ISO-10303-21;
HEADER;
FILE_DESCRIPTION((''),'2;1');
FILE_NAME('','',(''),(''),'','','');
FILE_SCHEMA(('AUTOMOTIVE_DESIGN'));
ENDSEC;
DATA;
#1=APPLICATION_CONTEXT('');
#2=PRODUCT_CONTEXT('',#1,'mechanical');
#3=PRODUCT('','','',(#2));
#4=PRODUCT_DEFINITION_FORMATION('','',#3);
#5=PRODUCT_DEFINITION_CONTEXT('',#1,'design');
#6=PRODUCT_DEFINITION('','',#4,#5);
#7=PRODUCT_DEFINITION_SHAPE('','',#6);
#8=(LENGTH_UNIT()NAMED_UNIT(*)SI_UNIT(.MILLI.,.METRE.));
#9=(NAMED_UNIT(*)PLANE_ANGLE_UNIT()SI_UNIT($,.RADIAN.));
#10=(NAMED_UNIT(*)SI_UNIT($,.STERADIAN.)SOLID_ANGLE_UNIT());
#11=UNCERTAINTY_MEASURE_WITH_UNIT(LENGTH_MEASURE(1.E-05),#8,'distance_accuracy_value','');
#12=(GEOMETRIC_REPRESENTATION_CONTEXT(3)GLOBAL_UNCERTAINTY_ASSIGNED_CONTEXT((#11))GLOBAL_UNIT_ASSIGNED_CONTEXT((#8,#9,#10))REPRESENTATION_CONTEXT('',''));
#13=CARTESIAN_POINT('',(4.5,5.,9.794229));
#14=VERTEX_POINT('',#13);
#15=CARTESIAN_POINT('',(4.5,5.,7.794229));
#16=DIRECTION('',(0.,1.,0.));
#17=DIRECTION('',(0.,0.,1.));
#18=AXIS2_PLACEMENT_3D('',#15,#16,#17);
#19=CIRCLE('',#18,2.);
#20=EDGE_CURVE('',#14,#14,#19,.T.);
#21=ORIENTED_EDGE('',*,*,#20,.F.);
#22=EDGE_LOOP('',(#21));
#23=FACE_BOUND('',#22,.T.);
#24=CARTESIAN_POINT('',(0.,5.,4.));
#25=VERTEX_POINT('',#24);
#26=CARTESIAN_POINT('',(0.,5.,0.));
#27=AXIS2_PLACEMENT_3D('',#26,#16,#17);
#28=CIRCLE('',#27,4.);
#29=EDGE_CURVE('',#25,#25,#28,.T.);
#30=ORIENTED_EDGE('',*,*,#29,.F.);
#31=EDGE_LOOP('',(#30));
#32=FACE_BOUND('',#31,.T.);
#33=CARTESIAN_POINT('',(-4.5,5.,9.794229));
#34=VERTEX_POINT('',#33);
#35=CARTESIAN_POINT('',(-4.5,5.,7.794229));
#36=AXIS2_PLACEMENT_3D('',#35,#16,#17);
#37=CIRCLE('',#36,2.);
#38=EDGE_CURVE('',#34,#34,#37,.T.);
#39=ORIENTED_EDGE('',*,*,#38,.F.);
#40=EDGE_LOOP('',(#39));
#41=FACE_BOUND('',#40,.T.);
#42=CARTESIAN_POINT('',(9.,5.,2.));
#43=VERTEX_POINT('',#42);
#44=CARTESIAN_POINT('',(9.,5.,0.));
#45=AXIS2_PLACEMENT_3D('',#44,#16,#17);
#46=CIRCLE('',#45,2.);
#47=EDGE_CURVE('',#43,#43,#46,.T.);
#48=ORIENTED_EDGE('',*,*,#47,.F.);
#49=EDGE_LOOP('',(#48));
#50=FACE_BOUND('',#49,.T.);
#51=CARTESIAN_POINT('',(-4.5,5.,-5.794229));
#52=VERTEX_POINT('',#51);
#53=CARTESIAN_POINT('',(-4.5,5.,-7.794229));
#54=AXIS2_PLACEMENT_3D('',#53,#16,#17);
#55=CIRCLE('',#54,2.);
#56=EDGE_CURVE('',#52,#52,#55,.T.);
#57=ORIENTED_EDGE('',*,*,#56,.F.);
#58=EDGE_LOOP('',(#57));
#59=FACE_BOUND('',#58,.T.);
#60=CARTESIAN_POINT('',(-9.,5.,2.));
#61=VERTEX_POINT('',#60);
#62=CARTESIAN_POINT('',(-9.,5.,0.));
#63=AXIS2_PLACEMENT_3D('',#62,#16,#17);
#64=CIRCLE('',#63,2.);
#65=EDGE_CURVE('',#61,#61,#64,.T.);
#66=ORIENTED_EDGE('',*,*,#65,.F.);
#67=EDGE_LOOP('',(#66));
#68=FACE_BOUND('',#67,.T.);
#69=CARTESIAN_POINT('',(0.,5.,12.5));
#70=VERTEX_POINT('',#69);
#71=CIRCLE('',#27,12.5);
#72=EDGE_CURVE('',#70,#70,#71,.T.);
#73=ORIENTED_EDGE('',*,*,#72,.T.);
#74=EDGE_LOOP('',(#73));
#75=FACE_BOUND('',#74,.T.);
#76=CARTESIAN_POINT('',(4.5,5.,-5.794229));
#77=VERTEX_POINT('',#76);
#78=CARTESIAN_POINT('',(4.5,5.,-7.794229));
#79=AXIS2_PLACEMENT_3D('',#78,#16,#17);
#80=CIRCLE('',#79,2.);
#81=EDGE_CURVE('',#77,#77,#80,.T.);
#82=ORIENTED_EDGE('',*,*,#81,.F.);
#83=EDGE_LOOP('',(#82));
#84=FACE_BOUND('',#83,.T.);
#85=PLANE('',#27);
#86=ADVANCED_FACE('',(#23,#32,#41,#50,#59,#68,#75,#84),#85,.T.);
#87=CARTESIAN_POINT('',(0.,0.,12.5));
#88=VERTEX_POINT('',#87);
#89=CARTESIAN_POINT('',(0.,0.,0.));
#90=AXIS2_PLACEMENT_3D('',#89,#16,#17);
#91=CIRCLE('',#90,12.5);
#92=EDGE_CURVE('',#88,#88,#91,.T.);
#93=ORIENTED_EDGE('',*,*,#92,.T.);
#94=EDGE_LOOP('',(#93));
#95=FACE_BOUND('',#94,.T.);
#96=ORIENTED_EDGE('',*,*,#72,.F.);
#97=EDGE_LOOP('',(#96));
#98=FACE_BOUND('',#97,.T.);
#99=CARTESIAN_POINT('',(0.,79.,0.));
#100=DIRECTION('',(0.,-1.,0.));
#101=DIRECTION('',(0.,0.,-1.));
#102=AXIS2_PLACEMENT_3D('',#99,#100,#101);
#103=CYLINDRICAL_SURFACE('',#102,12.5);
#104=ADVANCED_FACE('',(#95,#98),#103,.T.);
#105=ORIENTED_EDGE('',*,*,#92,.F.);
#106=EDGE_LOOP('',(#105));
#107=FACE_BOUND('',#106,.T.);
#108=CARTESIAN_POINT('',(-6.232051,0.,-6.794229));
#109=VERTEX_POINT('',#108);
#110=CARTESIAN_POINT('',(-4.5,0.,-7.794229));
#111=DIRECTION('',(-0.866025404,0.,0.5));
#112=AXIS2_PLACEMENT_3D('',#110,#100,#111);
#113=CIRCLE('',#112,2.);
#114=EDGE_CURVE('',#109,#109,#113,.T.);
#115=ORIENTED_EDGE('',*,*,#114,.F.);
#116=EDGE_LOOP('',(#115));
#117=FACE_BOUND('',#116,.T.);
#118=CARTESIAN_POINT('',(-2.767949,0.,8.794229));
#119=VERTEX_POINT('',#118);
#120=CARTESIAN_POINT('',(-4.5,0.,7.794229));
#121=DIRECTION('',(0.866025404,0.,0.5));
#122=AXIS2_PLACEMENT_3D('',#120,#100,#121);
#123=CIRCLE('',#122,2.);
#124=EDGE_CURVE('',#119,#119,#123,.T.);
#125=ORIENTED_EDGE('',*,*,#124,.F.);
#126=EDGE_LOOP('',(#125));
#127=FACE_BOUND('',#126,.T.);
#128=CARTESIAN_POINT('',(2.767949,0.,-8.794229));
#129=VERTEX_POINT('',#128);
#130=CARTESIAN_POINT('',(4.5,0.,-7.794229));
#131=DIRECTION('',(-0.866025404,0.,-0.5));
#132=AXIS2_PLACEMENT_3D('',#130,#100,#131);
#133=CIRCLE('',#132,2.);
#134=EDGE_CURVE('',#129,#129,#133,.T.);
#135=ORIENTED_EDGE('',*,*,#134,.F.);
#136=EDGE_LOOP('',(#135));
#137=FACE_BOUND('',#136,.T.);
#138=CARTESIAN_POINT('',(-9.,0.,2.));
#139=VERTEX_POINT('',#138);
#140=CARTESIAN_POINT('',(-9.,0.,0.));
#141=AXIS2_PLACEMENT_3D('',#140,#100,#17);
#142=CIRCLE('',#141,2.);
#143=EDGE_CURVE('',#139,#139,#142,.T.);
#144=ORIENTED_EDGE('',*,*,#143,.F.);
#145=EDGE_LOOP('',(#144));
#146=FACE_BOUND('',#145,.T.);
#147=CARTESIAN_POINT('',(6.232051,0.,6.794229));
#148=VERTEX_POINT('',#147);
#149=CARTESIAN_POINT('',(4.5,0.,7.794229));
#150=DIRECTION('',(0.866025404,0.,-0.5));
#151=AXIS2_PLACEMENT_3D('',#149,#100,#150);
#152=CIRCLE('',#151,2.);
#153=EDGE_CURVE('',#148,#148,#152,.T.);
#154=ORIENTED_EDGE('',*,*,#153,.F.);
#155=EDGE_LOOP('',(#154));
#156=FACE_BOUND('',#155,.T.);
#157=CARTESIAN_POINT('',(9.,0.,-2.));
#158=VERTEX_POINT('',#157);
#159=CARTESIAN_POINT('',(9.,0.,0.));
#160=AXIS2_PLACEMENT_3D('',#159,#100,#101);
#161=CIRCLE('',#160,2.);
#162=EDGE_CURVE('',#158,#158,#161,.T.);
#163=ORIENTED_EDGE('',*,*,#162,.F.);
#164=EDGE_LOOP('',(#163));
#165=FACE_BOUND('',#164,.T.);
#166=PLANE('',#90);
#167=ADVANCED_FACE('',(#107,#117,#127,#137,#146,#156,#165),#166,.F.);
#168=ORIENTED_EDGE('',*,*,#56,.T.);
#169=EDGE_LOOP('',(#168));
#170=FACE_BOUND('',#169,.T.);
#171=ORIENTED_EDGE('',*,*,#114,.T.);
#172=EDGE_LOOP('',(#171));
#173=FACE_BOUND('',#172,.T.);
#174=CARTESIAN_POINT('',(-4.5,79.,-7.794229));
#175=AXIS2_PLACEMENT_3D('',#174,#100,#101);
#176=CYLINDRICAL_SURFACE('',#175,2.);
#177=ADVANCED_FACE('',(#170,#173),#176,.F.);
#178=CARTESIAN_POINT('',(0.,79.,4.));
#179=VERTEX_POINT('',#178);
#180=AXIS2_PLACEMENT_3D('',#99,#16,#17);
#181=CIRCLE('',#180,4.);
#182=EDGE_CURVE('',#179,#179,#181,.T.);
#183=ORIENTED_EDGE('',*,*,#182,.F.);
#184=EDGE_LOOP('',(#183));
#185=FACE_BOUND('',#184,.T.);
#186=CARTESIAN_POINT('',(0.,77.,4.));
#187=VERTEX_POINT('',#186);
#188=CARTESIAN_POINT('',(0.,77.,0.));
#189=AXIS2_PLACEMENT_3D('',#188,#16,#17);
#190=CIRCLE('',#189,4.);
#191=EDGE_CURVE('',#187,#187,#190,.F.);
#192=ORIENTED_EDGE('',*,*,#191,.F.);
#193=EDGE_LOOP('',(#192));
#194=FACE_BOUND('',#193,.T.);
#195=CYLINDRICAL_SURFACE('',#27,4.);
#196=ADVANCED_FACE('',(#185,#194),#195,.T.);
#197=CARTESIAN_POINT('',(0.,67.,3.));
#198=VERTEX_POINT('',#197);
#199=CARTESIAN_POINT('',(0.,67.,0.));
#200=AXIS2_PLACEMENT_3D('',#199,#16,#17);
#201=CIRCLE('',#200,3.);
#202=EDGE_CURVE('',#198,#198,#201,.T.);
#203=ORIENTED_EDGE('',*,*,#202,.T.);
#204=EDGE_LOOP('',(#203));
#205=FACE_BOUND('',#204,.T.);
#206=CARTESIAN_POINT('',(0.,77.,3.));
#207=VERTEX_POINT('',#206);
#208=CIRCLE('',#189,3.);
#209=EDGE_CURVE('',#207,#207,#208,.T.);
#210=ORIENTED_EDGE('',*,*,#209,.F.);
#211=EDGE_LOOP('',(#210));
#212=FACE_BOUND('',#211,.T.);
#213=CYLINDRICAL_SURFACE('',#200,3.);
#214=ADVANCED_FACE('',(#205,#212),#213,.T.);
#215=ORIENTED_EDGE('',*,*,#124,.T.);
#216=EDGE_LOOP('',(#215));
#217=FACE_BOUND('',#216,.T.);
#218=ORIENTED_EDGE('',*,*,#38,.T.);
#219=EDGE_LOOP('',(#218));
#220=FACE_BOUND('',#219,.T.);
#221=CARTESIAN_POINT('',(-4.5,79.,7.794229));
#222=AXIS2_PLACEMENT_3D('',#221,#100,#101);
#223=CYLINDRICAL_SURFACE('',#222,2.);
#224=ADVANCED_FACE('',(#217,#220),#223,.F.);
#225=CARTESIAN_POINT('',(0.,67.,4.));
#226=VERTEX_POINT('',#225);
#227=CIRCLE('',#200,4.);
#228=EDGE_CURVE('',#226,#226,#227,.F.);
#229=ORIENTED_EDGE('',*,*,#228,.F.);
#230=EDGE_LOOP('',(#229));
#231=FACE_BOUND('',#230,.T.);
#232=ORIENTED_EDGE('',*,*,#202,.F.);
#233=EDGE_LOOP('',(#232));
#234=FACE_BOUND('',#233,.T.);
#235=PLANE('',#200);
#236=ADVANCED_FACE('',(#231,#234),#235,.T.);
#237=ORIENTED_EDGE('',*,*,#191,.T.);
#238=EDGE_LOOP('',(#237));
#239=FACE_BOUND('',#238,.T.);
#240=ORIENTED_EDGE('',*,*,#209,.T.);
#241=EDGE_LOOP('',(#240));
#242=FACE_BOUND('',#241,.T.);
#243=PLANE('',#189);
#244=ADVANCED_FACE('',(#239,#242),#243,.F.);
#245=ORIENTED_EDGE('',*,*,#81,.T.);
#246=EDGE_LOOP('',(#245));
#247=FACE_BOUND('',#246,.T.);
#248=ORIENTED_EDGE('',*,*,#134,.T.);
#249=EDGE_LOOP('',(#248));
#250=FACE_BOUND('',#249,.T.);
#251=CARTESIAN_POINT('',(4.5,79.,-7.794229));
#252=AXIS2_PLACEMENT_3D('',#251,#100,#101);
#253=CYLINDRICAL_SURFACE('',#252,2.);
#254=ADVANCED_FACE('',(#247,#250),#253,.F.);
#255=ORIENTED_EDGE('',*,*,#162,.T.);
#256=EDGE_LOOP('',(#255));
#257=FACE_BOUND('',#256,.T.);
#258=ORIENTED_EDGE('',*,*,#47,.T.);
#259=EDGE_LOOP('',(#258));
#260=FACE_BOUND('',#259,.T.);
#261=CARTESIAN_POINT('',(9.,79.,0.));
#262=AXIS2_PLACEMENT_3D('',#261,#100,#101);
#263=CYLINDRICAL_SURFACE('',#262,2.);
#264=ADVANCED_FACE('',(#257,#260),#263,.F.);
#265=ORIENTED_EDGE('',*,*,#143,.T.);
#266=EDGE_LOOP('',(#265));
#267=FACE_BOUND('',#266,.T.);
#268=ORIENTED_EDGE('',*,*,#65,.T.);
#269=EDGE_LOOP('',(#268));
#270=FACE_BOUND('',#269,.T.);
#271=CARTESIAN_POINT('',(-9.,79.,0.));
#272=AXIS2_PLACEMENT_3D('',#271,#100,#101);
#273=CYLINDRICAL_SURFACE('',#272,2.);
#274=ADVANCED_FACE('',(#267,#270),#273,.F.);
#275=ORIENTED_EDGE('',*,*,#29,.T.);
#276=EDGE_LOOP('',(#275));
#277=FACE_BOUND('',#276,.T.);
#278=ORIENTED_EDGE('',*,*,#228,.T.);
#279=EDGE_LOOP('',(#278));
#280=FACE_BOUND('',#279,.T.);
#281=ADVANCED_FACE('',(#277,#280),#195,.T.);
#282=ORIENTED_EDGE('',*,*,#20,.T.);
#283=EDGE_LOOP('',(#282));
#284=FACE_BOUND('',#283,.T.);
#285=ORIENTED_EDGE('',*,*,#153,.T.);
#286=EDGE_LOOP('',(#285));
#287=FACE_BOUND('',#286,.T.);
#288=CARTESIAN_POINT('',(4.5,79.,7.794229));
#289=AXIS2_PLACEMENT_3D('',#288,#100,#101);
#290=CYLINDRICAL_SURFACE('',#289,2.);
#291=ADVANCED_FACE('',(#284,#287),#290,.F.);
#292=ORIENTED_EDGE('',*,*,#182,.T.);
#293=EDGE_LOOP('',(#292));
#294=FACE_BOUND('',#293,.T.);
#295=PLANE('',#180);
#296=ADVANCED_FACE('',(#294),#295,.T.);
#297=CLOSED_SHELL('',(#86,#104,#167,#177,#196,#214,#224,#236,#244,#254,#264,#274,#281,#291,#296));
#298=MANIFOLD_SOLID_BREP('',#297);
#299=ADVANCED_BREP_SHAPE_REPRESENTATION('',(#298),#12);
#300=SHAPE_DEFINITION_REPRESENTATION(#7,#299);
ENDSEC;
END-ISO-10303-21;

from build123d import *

# Parameters (mm, degrees)
SKETCH_1_R               = 12.5
EXTRUDE_1_DEPTH          = 79
SKETCH_2_OUTSIDE_W       = 44.31
SKETCH_2_OUTSIDE_H       = 44.31
SKETCH_2_OUTSIDE_R       = 4
CUT_EXTRUDE_2_DEPTH      = 72
SKETCH_4_OUTSIDE_W       = 44.31
SKETCH_4_OUTSIDE_H       = 44.31
SKETCH_4_OUTSIDE_R       = 4
CUT_EXTRUDE_3_DEPTH      = 80.003164494
SKETCH_6_OUTSIDE_W       = 44.31
SKETCH_6_OUTSIDE_H       = 44.31
SKETCH_6_OUTSIDE_R       = 3
CUT_EXTRUDE_4_DEPTH      = 10
SKETCH_7_R               = 2
CUT_EXTRUDE_5_DEPTH      = 81.953690466
PATTERN_CIRCULAR_1_COUNT = 6


with BuildPart() as part:
    # 草图1 → 凸台-拉伸1 (new body)
    with BuildSketch(Plane(origin=(0, 0, 0), x_dir=(1, 0, 0), z_dir=(0, 1, 0))):
        with Locations(Location((0, 0, 0), (0, 0, 270))):
            Circle(SKETCH_1_R)
    extrude(amount=EXTRUDE_1_DEPTH)

    # 草图2 outside → 切除-拉伸2 (cut)
    with BuildSketch(Plane(origin=(0, 77, 0), x_dir=(1, 0, 0), z_dir=(0, 1, 0))):
        Rectangle(SKETCH_2_OUTSIDE_W, SKETCH_2_OUTSIDE_H)
        with Locations(Location((0, 0, 0), (0, 0, 270))):
            Circle(SKETCH_2_OUTSIDE_R, mode=Mode.SUBTRACT)
    extrude(amount=-CUT_EXTRUDE_2_DEPTH, mode=Mode.SUBTRACT)

    # 草图4 outside → 切除-拉伸3 (cut, through all)
    with BuildSketch(Plane(origin=(0, 77, 0), x_dir=(1, 0, 0), z_dir=(0, 1, 0))):
        Rectangle(SKETCH_4_OUTSIDE_W, SKETCH_4_OUTSIDE_H)
        with Locations(Location((0, 0, 0), (0, 0, 270))):
            Circle(SKETCH_4_OUTSIDE_R, mode=Mode.SUBTRACT)
    extrude(amount=CUT_EXTRUDE_3_DEPTH, mode=Mode.SUBTRACT)

    # 草图6 outside → 切除-拉伸4 (cut)
    with BuildSketch(Plane(origin=(0, 77, 0), x_dir=(1, 0, 0), z_dir=(0, 1, 0))):
        Rectangle(SKETCH_6_OUTSIDE_W, SKETCH_6_OUTSIDE_H)
        with Locations(Location((0, 0, 0), (0, 0, 270))):
            Circle(SKETCH_6_OUTSIDE_R, mode=Mode.SUBTRACT)
    extrude(amount=-CUT_EXTRUDE_4_DEPTH, mode=Mode.SUBTRACT)

    # 草图7 → 切除-拉伸5 (cut, through all)
    with BuildSketch(Plane.XZ):
        with Locations(Location((9, 0, 0), (0, 0, 270))):
            Circle(SKETCH_7_R)
    cut_extrude_5 = extrude(amount=-CUT_EXTRUDE_5_DEPTH, mode=Mode.SUBTRACT)

    # 阵列(圆周)1: 切除-拉伸5 ×6 about axis
    pattern_circular_1_axis = Axis((0, 0, 0), (0, 1, 0))
    for i in range(1, PATTERN_CIRCULAR_1_COUNT):
        add(cut_extrude_5.rotate(pattern_circular_1_axis, i * 360 / PATTERN_CIRCULAR_1_COUNT), mode=Mode.SUBTRACT)


solid = part.part
